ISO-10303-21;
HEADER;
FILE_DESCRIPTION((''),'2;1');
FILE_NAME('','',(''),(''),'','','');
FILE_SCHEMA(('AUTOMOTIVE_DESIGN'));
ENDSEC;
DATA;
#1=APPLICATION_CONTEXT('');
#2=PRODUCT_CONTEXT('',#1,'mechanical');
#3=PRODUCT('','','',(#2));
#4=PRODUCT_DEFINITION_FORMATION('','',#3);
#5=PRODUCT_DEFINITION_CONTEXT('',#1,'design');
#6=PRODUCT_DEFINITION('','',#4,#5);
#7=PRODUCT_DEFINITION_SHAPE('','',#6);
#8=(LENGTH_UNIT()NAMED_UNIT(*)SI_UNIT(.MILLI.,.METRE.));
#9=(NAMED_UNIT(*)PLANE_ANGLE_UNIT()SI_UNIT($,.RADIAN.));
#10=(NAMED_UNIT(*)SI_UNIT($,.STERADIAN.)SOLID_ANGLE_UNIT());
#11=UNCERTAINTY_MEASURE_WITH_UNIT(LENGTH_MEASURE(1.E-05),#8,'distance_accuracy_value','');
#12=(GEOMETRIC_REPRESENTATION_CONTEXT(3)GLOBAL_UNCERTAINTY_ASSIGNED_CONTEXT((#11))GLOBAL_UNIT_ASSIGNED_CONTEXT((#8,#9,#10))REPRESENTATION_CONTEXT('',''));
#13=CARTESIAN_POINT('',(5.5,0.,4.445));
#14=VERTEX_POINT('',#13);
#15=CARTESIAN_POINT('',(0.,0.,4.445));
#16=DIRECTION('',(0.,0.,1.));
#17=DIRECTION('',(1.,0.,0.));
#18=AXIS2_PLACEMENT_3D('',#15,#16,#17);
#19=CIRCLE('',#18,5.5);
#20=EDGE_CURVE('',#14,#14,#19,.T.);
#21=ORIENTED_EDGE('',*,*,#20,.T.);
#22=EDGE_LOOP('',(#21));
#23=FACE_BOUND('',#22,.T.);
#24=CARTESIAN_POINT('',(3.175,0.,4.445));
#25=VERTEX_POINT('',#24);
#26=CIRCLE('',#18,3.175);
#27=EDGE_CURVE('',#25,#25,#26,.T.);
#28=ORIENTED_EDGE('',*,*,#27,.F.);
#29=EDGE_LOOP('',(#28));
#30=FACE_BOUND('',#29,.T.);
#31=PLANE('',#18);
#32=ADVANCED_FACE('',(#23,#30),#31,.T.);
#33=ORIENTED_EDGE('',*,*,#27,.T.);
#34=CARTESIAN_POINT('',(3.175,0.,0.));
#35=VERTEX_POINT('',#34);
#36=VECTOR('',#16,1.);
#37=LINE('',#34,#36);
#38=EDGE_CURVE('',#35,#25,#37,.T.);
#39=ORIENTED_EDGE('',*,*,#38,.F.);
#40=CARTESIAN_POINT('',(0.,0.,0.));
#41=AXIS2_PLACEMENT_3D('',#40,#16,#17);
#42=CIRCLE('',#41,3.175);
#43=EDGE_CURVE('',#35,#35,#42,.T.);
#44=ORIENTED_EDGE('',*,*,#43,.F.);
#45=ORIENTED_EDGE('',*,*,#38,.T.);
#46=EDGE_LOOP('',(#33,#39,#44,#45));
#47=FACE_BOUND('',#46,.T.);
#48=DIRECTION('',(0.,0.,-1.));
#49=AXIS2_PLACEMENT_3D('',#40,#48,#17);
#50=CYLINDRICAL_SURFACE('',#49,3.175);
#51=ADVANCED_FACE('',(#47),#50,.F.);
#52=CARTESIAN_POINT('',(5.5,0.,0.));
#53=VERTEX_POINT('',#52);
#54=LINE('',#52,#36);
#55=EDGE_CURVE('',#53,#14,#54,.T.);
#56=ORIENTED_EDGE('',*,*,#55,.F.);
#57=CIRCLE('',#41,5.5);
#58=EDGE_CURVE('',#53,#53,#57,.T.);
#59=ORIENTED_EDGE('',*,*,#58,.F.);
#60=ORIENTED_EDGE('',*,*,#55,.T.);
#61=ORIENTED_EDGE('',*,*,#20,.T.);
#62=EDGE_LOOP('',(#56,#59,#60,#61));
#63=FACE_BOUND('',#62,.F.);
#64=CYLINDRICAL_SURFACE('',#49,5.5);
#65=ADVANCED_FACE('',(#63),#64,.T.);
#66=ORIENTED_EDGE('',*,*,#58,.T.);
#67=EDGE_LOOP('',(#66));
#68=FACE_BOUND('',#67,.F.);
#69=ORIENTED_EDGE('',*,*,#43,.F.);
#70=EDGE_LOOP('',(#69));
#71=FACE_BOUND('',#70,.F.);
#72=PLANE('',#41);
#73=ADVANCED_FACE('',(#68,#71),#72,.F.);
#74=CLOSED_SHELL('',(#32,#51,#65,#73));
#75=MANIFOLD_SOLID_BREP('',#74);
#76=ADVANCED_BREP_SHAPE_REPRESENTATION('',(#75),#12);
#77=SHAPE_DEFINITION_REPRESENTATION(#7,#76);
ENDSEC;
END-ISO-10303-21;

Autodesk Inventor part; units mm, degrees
ref_plane "YZ Plane" through (0, 0, 0) normal (1, 0, 0) x (0, 1, 0)
ref_plane "XZ Plane" through (0, 0, 0) normal (0, 1, 0) x (-1, 0, 0)
ref_plane "XY Plane" through (0, 0, 0) normal (0, 0, 1) x (1, 0, 0)
sketch "Sketch1" plane through (0, 0, 0) normal (0, 0, 1) x (1, 0, 0)
  circle A0 centre (0, 0) radius 3.175
  circle A1 centre (0, 0) radius 5.5
  dimension "d0" = 6.35
  dimension "d1" = 11
extrude "Extrusion1" add sketch "Sketch1" along normal blind 4.445
thread "Thread1" size "1/4-20 UNC" class "2B" standard "ANSI Unified Screw Threads" full length
properties part number "PEMSERT"
